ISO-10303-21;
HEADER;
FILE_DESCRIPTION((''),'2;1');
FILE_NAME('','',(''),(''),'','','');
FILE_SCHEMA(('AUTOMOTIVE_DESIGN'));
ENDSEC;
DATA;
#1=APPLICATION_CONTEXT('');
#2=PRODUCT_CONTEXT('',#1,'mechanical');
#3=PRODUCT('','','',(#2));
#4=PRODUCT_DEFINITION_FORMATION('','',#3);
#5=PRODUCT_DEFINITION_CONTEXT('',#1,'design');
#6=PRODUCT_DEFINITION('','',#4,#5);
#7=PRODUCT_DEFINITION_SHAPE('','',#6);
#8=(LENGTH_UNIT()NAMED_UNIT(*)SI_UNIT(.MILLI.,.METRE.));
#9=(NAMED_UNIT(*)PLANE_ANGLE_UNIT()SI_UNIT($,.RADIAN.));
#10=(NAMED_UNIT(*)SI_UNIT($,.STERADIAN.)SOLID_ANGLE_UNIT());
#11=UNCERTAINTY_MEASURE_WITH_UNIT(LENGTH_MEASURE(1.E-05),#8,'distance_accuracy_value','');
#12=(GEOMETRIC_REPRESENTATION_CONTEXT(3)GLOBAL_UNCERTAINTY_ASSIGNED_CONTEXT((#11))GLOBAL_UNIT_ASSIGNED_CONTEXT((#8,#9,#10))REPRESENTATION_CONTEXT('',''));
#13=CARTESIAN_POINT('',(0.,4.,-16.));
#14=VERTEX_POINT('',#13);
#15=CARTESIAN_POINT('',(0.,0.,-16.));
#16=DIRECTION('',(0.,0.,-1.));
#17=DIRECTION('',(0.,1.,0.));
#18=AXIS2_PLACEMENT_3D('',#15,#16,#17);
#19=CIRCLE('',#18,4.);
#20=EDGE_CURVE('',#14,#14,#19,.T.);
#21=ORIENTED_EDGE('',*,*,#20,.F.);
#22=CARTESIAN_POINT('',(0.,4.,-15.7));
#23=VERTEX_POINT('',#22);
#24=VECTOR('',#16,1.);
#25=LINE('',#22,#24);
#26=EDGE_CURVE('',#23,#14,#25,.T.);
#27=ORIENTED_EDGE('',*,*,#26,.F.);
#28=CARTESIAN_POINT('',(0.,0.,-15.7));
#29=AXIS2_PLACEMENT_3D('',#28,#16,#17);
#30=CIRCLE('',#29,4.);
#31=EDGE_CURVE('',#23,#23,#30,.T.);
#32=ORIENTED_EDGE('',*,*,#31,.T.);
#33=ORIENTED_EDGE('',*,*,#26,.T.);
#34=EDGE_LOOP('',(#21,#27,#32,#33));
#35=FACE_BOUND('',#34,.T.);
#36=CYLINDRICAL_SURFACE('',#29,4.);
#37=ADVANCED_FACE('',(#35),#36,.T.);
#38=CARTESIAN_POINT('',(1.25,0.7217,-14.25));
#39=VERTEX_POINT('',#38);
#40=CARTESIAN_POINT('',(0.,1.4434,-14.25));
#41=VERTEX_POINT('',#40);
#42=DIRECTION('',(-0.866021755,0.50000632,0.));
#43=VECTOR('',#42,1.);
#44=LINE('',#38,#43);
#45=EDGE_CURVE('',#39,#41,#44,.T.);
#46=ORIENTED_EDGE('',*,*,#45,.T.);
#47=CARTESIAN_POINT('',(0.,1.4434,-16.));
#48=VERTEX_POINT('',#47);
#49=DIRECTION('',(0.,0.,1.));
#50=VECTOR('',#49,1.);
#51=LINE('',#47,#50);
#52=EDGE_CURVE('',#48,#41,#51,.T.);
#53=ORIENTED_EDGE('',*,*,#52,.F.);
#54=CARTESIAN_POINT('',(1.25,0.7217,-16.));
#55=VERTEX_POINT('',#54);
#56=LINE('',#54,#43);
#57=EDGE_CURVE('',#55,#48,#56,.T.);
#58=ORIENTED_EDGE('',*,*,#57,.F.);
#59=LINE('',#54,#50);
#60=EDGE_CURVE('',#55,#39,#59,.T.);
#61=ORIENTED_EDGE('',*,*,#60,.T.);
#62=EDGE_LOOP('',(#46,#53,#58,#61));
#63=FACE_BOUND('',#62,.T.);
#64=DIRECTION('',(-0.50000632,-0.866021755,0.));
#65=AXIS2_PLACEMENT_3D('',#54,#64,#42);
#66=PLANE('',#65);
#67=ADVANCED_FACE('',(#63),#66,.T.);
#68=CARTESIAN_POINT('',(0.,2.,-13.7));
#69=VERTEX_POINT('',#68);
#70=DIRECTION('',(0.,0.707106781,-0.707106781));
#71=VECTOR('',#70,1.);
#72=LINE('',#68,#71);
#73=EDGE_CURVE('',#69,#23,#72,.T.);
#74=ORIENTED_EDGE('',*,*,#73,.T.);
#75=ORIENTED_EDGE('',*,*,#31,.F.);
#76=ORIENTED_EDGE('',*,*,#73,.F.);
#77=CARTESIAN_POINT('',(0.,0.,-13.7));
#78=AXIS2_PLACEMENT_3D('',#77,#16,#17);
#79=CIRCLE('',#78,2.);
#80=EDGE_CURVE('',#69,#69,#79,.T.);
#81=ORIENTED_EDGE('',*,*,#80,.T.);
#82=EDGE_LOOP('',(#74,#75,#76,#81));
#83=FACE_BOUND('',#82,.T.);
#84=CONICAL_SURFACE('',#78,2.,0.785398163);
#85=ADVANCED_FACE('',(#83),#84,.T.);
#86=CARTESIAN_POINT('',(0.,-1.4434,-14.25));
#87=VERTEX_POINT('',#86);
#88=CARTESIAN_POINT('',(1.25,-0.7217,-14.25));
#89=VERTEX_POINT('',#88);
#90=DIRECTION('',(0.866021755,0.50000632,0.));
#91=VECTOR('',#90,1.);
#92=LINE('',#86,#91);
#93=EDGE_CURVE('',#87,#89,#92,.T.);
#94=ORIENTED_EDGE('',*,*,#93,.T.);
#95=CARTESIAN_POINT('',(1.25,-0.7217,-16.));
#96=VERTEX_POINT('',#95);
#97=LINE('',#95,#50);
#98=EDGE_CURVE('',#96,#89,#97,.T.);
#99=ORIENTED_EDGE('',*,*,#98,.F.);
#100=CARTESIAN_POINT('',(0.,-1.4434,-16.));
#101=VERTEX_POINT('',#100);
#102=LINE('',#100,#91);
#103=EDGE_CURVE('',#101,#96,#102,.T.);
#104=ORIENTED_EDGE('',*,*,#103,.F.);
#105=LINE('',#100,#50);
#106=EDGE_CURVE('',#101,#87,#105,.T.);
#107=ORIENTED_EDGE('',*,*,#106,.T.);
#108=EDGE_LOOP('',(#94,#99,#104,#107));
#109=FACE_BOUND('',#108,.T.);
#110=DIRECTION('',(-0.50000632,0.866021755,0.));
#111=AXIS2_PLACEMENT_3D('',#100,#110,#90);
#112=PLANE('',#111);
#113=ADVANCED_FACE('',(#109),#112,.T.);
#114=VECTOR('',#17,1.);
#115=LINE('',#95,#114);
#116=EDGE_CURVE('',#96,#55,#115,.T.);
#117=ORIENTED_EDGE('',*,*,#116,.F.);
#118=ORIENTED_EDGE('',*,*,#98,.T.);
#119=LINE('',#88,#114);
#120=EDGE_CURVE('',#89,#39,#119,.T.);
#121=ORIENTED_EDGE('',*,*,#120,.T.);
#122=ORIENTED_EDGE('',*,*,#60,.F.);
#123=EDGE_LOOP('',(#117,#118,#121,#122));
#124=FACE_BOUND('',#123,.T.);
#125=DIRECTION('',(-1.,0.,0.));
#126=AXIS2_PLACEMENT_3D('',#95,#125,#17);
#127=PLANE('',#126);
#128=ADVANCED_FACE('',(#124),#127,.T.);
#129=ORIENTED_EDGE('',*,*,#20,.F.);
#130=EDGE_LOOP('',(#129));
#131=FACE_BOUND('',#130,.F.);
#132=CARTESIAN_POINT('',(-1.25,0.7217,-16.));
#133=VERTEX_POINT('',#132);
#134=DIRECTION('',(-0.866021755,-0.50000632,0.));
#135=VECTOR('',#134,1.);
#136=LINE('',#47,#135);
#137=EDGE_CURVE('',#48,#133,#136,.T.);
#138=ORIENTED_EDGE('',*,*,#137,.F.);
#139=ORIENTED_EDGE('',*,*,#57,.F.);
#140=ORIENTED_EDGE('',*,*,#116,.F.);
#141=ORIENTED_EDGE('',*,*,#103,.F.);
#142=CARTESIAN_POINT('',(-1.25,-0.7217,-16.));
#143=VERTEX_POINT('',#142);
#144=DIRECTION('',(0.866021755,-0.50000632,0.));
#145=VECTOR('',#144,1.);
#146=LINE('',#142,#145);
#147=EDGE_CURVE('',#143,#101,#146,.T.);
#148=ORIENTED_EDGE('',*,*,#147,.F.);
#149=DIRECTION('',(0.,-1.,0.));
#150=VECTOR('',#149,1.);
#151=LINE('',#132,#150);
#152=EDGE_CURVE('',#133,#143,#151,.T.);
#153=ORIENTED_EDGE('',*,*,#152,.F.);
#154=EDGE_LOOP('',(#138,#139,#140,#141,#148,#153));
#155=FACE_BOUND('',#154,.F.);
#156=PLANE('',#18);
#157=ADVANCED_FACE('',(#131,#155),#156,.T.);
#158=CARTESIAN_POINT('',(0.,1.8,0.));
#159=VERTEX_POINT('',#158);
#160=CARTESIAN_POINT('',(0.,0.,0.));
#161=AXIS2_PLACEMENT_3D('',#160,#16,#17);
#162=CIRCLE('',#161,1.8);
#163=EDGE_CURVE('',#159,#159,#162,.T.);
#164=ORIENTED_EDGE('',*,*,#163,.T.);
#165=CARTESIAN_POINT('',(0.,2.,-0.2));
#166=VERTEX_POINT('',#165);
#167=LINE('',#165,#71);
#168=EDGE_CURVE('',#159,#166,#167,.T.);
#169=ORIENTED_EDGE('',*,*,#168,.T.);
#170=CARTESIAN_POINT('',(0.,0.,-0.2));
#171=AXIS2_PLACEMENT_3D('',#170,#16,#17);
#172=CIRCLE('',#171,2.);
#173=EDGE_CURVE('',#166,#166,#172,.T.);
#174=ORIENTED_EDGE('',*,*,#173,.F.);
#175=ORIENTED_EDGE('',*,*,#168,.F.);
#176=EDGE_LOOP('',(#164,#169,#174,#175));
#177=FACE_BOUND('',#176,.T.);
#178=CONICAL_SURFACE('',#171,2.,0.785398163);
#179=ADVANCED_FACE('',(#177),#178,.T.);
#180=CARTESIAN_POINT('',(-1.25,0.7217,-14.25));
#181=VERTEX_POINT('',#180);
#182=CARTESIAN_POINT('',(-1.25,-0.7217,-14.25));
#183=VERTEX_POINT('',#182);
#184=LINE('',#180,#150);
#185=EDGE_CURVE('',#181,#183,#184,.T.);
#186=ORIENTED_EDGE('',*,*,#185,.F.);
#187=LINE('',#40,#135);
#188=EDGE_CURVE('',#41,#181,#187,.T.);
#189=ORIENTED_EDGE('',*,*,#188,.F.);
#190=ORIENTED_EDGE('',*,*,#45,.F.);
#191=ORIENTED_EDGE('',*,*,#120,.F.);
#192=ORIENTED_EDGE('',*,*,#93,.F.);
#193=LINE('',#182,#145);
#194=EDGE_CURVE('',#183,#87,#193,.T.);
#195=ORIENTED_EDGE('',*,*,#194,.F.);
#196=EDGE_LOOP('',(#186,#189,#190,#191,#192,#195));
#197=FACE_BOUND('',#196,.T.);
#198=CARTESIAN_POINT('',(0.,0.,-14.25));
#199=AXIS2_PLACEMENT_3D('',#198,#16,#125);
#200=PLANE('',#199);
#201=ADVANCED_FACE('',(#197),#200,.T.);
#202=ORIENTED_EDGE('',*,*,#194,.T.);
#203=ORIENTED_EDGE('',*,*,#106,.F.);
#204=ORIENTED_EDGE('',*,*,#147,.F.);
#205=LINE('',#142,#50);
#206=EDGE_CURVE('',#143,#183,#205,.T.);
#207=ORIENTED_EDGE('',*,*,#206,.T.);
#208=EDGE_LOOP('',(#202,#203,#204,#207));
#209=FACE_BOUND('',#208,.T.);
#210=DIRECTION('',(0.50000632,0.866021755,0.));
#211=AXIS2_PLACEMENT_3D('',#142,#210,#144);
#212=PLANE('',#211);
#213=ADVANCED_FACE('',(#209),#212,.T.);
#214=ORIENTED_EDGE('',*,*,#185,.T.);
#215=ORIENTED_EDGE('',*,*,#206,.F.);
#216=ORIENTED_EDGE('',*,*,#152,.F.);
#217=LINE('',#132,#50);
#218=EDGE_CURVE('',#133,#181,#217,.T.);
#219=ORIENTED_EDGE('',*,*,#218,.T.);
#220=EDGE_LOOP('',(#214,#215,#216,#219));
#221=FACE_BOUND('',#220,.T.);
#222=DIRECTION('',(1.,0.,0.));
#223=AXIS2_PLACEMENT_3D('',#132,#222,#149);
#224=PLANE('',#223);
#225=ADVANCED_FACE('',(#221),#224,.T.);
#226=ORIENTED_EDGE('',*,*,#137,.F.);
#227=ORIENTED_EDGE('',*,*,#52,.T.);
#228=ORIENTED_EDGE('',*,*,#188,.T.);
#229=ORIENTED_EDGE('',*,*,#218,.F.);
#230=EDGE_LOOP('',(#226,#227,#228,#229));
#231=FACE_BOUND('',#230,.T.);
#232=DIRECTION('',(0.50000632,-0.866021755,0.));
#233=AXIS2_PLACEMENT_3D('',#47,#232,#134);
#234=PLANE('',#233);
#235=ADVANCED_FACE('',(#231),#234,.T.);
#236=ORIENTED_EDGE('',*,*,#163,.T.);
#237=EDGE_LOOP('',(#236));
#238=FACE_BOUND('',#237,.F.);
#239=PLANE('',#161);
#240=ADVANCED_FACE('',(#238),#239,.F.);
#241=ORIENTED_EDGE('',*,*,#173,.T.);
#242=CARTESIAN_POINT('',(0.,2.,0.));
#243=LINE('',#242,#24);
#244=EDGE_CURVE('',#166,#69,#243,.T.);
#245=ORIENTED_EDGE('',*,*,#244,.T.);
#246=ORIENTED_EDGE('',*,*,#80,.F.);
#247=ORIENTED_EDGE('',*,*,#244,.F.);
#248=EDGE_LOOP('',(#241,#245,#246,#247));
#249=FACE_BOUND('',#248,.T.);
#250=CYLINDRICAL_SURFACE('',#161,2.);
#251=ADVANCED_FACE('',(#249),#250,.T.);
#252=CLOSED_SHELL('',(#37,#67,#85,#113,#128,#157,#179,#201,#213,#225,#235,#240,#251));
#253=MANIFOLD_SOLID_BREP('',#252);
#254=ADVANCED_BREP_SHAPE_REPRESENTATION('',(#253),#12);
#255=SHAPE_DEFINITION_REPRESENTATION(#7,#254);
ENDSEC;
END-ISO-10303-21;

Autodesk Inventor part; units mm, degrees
ref_plane "YZ Plane" through (0, 0, 0) normal (1, 0, 0) x (0, 1, 0)
ref_plane "XZ Plane" through (0, 0, 0) normal (0, 1, 0) x (-1, 0, 0)
ref_plane "XY Plane" through (0, 0, 0) normal (0, 0, 1) x (1, 0, 0)
sketch "Sketch1" plane through (0, 0, 0) normal (1, 0, 0) x (0, 1, 0)
  line L0 (0, 0) -> (0, -16)
  line L1 (0, -16) -> (4, -16)
  line L2 (2, 0) -> (0, 0)
  line L3 (2, 0) -> (2, -13.7)
  line L4 (2, -13.7) -> (4, -15.7)
  line L5 (4, -15.7) -> (4, -16)
  dimension "d0" = 16
  dimension "d4" = 2
  dimension "d5" = 2.3
  dimension "d6" = 45
  dimension "d7" = 4
revolve "Revolution1" add sketch "Sketch1" angle 360 about axis through (0, 0, 0) along (0, 0, -1)
sketch "Sketch2" plane through (0, 0, -16) normal (0, 0, -1) x (-1, 0, 0)
  line L0 (0, 1.4434) -> (1.25, 0.7217)
  line L1 (1.25, 0.7217) -> (1.25, -0.7217)
  line L2 (1.25, -0.7217) -> (0, -1.4434)
  line L3 (0, -1.4434) -> (-1.25, -0.7217)
  line L4 (-1.25, -0.7217) -> (-1.25, 0.7217)
  line L5 (-1.25, 0.7217) -> (0, 1.4434)
  point P0 (0, 0)
  point P1 (0, 0)
  dimension "d9" = 2.5
extrude "Extrusion1" cut sketch "Sketch2" against normal blind 1.75
thread "Thread1" size "M4x0.7" class "6g" standard "ANSI Metric M Profile" length 24
chamfer "Chamfer1" distance 0.2 angle 45 1 edges at (0, -2, 0)
properties part number "MM-MMount_to_Motor-CS_Bolt-"
